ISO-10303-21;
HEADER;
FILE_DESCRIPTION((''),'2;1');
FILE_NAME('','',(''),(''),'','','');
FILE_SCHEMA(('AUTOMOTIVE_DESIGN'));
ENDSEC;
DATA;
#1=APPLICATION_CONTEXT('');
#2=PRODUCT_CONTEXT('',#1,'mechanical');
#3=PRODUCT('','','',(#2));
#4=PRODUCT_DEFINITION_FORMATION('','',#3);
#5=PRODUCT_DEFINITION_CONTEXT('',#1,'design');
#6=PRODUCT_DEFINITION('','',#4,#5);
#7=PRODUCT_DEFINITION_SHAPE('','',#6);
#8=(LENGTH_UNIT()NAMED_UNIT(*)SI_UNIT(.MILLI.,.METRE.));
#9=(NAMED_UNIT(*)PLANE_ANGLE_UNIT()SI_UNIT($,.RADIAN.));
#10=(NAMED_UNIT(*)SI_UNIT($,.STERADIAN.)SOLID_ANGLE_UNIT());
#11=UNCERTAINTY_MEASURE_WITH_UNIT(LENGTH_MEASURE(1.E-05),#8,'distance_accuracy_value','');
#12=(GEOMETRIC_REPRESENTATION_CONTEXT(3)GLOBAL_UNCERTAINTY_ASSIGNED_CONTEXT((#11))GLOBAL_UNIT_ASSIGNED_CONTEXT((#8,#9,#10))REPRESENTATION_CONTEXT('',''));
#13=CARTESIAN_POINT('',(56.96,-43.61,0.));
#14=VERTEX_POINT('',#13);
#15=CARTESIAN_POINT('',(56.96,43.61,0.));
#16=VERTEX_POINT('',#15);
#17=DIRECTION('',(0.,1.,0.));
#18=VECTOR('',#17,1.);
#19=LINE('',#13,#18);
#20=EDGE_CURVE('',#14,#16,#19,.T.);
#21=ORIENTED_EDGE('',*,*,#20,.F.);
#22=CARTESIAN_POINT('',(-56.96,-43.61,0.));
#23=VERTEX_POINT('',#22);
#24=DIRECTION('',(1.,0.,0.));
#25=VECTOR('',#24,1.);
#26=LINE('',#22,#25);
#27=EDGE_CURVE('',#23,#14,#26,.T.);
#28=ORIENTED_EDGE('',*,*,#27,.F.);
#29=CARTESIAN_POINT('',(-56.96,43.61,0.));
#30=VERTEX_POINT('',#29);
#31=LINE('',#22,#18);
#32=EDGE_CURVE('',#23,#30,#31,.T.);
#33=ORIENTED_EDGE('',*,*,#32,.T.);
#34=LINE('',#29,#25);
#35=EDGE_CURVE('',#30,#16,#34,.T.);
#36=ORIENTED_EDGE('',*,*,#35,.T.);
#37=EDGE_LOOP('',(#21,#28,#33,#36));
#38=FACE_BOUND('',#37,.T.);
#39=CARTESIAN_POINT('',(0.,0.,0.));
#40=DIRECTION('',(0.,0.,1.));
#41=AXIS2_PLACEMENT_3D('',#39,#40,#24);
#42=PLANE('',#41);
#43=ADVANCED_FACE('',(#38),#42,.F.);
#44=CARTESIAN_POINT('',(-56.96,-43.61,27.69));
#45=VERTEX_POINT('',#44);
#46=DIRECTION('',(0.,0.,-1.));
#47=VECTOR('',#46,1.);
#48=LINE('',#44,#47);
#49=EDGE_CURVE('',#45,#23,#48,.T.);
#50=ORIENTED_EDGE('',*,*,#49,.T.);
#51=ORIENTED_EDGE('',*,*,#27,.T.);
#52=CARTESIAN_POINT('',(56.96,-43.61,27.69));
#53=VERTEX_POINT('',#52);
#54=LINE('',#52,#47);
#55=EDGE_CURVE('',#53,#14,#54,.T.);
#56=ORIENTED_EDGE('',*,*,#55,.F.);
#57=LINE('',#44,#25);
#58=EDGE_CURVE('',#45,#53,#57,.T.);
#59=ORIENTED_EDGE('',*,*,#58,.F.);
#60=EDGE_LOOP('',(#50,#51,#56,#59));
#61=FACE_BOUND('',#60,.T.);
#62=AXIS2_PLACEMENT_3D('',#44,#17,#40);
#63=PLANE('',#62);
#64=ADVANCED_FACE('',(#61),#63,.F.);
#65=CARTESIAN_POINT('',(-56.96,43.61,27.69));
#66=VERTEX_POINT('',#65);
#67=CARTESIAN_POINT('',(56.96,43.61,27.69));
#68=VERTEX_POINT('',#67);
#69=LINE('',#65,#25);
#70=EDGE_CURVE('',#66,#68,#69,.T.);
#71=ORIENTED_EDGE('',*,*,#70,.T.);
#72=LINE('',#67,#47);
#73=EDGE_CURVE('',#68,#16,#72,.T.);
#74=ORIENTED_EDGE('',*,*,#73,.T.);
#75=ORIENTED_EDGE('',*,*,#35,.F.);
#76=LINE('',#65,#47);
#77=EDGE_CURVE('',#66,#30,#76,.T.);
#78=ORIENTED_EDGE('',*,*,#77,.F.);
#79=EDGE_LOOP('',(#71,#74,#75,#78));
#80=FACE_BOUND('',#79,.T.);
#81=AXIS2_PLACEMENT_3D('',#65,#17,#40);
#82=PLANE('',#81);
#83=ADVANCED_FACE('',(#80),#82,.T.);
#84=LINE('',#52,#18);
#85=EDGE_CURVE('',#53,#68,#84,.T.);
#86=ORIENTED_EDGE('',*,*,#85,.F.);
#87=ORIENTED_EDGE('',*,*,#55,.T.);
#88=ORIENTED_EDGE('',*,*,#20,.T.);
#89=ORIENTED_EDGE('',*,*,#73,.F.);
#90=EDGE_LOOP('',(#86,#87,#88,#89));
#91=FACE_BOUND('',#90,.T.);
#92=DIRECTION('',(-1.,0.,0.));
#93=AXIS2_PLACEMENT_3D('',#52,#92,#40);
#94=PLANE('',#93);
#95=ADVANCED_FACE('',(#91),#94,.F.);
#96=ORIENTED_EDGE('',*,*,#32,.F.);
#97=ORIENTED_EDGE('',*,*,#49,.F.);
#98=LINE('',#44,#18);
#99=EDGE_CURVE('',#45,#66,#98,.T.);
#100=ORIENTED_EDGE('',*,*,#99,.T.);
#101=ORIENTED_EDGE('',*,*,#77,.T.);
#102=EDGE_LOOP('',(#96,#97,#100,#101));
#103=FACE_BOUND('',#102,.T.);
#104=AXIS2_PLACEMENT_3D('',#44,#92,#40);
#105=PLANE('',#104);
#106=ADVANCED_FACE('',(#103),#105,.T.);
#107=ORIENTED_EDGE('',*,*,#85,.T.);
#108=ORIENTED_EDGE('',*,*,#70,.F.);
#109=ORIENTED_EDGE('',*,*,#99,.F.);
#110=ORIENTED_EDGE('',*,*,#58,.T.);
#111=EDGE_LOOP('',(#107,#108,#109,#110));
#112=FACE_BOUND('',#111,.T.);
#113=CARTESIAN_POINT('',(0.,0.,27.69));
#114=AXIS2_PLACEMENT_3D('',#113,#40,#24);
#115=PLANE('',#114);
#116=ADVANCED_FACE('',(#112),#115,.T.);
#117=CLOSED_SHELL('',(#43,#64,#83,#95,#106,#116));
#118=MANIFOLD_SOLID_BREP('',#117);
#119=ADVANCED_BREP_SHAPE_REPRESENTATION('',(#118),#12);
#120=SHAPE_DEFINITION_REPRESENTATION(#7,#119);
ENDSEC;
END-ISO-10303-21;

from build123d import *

# Parameters (mm, degrees)
CROQUIS1_W              = 113.92
CROQUIS1_H              = 87.22
SALIENTE_EXTRUIR3_DEPTH = 27.69


with BuildPart() as part:
    # Croquis1 → Saliente-Extruir3 (new body)
    with BuildSketch(Plane.XY):
        Rectangle(CROQUIS1_W, CROQUIS1_H)
    extrude(amount=SALIENTE_EXTRUIR3_DEPTH)


solid = part.part
